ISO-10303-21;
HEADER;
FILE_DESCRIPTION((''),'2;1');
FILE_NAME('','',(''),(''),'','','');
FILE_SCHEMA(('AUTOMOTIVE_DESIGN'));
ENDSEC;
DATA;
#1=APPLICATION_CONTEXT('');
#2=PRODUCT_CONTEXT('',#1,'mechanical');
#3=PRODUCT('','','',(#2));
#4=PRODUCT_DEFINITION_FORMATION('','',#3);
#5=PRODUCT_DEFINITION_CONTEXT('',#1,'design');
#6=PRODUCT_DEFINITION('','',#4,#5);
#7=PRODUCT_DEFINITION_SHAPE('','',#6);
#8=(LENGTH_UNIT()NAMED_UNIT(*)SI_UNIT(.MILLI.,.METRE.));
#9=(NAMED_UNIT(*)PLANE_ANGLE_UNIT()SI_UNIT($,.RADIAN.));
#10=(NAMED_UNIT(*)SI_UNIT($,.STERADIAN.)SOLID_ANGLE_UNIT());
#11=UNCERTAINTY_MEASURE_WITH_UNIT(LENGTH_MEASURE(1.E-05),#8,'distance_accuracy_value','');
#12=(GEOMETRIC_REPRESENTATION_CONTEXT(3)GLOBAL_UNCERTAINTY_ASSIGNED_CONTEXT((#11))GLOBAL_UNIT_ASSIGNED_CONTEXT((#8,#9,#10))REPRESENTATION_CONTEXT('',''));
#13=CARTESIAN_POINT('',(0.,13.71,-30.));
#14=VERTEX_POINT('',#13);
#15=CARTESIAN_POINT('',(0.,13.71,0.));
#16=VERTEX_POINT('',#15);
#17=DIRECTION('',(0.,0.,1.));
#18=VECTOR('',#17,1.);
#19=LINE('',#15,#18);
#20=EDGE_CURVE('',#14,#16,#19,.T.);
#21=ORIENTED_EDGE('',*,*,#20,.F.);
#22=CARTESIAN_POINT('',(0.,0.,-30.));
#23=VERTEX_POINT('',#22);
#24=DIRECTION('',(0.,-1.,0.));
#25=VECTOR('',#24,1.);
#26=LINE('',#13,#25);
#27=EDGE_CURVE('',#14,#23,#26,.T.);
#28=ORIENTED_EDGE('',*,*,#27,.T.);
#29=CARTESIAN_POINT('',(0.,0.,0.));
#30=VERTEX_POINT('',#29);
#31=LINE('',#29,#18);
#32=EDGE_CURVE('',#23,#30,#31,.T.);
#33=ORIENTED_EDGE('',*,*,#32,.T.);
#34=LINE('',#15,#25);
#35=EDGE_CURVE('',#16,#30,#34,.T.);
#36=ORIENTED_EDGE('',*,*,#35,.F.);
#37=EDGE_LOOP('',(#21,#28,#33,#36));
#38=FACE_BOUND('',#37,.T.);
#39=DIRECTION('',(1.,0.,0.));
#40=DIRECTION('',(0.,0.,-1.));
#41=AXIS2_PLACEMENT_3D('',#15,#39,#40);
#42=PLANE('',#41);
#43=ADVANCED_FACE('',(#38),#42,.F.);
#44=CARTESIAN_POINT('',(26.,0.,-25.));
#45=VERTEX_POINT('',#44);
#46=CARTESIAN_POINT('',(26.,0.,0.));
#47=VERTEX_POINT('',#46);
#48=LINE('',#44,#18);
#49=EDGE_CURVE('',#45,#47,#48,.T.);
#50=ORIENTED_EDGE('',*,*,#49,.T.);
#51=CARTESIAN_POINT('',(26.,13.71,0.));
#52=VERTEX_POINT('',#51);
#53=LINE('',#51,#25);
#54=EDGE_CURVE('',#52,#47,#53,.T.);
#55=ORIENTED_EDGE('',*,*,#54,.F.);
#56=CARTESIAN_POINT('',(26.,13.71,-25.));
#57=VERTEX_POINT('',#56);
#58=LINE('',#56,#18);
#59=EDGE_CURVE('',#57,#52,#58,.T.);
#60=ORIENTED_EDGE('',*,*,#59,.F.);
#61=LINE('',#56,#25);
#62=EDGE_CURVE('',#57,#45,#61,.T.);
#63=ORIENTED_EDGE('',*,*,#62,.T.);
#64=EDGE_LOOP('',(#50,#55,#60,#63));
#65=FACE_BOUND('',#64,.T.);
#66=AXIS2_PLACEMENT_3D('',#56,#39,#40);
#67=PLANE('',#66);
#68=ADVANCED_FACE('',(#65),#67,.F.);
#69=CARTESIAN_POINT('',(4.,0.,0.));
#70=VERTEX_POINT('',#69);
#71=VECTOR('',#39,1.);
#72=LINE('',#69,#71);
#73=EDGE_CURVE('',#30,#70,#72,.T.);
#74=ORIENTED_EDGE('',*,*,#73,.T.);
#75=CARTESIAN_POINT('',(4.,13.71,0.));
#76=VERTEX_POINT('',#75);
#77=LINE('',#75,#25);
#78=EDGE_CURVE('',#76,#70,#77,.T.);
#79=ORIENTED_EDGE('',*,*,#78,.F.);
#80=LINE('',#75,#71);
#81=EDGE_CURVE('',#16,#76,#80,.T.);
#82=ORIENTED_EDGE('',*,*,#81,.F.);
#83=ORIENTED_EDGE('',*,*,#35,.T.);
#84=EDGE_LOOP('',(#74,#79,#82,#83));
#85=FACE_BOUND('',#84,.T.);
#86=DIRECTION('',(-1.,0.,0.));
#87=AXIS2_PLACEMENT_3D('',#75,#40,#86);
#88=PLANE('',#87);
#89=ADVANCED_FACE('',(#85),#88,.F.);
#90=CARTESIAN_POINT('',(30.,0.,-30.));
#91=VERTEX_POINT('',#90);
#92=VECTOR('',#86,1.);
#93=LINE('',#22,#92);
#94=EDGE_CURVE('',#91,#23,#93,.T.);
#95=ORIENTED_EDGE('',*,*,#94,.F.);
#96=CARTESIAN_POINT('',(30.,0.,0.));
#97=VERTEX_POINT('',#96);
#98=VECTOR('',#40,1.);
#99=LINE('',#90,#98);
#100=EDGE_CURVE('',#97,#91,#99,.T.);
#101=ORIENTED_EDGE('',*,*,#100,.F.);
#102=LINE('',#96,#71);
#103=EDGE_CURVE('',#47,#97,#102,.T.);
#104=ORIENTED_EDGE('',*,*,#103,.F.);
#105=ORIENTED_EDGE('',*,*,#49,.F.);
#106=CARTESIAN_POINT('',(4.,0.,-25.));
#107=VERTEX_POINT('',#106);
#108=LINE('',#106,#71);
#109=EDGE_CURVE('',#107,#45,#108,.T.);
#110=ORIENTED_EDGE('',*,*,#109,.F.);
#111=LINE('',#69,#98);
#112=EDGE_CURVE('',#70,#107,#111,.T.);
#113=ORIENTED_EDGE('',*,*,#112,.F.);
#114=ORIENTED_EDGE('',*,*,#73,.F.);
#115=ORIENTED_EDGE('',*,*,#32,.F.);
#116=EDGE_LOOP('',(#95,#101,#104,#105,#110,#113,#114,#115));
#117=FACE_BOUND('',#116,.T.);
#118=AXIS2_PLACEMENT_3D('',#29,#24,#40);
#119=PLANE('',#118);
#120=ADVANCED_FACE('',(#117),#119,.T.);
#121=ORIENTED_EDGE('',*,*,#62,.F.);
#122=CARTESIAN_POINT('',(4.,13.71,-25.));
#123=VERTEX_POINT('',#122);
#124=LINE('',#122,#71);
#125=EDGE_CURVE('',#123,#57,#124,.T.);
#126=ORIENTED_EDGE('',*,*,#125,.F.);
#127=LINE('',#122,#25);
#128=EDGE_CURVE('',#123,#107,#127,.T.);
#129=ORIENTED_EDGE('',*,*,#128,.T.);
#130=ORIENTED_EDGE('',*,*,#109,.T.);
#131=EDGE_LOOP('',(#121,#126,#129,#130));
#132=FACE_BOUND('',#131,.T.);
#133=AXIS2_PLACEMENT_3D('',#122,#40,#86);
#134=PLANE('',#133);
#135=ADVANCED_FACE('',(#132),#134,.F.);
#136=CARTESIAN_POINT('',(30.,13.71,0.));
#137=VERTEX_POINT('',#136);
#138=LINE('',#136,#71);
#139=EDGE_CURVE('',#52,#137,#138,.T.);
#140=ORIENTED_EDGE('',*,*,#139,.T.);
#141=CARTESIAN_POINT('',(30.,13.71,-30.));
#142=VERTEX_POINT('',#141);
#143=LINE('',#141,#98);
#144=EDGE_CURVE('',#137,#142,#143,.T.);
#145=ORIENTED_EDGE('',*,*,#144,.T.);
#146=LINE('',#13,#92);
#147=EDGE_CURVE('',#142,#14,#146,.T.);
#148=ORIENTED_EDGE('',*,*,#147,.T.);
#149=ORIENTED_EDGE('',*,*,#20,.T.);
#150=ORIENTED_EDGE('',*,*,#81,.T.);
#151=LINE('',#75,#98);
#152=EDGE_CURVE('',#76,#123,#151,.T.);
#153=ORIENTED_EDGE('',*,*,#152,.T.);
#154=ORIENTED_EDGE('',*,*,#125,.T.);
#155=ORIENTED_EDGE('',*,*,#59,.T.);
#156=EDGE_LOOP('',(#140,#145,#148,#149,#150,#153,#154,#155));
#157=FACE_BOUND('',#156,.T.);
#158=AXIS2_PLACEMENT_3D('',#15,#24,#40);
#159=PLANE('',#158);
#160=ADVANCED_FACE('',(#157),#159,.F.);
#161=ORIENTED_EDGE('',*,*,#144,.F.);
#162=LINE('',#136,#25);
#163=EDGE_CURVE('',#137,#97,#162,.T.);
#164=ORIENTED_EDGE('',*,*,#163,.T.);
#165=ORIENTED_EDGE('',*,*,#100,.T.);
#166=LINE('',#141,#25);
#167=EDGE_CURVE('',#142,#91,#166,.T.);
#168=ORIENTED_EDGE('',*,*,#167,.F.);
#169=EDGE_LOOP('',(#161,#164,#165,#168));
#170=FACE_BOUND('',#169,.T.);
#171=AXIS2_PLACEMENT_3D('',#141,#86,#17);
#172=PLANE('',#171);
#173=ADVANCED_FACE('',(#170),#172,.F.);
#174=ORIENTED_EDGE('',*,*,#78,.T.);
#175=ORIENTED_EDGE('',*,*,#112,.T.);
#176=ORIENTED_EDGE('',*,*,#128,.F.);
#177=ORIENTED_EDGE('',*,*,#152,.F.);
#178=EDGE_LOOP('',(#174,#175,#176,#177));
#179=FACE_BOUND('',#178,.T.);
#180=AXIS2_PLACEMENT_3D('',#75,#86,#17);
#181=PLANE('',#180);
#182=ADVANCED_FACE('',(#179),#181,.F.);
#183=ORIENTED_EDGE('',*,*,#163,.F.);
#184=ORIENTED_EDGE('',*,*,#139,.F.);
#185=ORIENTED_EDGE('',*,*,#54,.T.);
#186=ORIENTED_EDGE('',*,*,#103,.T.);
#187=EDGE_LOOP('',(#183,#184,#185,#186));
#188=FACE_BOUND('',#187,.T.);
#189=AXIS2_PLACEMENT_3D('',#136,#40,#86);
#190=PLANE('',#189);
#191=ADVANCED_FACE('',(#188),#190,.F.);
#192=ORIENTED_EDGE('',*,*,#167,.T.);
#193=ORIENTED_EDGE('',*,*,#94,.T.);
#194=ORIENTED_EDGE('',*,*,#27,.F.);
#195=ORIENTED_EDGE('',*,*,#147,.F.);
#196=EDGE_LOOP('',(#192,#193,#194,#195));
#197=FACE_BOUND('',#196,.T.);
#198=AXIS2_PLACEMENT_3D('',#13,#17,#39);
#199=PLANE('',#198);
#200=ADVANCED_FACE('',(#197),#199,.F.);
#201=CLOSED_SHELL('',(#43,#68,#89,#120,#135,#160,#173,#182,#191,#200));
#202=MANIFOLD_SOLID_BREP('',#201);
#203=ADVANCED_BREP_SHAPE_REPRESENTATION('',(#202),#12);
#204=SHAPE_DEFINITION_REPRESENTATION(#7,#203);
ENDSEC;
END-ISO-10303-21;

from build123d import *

# Parameters (mm, degrees)
BOSS_EXTRUDE1_DEPTH = 13.71


with BuildPart() as part:
    # Sketch1 → Boss-Extrude1 (new body)
    with BuildSketch(Plane(origin=(0, 0, 0), x_dir=(1, 0, 0), z_dir=(0, 1, 0))):
        Polygon((0, 0), (0, 30), (30, 30), (30, 0), (26, 0), (26, 25), (4, 25), (4, 0), align=None)
    extrude(amount=BOSS_EXTRUDE1_DEPTH)


solid = part.part
